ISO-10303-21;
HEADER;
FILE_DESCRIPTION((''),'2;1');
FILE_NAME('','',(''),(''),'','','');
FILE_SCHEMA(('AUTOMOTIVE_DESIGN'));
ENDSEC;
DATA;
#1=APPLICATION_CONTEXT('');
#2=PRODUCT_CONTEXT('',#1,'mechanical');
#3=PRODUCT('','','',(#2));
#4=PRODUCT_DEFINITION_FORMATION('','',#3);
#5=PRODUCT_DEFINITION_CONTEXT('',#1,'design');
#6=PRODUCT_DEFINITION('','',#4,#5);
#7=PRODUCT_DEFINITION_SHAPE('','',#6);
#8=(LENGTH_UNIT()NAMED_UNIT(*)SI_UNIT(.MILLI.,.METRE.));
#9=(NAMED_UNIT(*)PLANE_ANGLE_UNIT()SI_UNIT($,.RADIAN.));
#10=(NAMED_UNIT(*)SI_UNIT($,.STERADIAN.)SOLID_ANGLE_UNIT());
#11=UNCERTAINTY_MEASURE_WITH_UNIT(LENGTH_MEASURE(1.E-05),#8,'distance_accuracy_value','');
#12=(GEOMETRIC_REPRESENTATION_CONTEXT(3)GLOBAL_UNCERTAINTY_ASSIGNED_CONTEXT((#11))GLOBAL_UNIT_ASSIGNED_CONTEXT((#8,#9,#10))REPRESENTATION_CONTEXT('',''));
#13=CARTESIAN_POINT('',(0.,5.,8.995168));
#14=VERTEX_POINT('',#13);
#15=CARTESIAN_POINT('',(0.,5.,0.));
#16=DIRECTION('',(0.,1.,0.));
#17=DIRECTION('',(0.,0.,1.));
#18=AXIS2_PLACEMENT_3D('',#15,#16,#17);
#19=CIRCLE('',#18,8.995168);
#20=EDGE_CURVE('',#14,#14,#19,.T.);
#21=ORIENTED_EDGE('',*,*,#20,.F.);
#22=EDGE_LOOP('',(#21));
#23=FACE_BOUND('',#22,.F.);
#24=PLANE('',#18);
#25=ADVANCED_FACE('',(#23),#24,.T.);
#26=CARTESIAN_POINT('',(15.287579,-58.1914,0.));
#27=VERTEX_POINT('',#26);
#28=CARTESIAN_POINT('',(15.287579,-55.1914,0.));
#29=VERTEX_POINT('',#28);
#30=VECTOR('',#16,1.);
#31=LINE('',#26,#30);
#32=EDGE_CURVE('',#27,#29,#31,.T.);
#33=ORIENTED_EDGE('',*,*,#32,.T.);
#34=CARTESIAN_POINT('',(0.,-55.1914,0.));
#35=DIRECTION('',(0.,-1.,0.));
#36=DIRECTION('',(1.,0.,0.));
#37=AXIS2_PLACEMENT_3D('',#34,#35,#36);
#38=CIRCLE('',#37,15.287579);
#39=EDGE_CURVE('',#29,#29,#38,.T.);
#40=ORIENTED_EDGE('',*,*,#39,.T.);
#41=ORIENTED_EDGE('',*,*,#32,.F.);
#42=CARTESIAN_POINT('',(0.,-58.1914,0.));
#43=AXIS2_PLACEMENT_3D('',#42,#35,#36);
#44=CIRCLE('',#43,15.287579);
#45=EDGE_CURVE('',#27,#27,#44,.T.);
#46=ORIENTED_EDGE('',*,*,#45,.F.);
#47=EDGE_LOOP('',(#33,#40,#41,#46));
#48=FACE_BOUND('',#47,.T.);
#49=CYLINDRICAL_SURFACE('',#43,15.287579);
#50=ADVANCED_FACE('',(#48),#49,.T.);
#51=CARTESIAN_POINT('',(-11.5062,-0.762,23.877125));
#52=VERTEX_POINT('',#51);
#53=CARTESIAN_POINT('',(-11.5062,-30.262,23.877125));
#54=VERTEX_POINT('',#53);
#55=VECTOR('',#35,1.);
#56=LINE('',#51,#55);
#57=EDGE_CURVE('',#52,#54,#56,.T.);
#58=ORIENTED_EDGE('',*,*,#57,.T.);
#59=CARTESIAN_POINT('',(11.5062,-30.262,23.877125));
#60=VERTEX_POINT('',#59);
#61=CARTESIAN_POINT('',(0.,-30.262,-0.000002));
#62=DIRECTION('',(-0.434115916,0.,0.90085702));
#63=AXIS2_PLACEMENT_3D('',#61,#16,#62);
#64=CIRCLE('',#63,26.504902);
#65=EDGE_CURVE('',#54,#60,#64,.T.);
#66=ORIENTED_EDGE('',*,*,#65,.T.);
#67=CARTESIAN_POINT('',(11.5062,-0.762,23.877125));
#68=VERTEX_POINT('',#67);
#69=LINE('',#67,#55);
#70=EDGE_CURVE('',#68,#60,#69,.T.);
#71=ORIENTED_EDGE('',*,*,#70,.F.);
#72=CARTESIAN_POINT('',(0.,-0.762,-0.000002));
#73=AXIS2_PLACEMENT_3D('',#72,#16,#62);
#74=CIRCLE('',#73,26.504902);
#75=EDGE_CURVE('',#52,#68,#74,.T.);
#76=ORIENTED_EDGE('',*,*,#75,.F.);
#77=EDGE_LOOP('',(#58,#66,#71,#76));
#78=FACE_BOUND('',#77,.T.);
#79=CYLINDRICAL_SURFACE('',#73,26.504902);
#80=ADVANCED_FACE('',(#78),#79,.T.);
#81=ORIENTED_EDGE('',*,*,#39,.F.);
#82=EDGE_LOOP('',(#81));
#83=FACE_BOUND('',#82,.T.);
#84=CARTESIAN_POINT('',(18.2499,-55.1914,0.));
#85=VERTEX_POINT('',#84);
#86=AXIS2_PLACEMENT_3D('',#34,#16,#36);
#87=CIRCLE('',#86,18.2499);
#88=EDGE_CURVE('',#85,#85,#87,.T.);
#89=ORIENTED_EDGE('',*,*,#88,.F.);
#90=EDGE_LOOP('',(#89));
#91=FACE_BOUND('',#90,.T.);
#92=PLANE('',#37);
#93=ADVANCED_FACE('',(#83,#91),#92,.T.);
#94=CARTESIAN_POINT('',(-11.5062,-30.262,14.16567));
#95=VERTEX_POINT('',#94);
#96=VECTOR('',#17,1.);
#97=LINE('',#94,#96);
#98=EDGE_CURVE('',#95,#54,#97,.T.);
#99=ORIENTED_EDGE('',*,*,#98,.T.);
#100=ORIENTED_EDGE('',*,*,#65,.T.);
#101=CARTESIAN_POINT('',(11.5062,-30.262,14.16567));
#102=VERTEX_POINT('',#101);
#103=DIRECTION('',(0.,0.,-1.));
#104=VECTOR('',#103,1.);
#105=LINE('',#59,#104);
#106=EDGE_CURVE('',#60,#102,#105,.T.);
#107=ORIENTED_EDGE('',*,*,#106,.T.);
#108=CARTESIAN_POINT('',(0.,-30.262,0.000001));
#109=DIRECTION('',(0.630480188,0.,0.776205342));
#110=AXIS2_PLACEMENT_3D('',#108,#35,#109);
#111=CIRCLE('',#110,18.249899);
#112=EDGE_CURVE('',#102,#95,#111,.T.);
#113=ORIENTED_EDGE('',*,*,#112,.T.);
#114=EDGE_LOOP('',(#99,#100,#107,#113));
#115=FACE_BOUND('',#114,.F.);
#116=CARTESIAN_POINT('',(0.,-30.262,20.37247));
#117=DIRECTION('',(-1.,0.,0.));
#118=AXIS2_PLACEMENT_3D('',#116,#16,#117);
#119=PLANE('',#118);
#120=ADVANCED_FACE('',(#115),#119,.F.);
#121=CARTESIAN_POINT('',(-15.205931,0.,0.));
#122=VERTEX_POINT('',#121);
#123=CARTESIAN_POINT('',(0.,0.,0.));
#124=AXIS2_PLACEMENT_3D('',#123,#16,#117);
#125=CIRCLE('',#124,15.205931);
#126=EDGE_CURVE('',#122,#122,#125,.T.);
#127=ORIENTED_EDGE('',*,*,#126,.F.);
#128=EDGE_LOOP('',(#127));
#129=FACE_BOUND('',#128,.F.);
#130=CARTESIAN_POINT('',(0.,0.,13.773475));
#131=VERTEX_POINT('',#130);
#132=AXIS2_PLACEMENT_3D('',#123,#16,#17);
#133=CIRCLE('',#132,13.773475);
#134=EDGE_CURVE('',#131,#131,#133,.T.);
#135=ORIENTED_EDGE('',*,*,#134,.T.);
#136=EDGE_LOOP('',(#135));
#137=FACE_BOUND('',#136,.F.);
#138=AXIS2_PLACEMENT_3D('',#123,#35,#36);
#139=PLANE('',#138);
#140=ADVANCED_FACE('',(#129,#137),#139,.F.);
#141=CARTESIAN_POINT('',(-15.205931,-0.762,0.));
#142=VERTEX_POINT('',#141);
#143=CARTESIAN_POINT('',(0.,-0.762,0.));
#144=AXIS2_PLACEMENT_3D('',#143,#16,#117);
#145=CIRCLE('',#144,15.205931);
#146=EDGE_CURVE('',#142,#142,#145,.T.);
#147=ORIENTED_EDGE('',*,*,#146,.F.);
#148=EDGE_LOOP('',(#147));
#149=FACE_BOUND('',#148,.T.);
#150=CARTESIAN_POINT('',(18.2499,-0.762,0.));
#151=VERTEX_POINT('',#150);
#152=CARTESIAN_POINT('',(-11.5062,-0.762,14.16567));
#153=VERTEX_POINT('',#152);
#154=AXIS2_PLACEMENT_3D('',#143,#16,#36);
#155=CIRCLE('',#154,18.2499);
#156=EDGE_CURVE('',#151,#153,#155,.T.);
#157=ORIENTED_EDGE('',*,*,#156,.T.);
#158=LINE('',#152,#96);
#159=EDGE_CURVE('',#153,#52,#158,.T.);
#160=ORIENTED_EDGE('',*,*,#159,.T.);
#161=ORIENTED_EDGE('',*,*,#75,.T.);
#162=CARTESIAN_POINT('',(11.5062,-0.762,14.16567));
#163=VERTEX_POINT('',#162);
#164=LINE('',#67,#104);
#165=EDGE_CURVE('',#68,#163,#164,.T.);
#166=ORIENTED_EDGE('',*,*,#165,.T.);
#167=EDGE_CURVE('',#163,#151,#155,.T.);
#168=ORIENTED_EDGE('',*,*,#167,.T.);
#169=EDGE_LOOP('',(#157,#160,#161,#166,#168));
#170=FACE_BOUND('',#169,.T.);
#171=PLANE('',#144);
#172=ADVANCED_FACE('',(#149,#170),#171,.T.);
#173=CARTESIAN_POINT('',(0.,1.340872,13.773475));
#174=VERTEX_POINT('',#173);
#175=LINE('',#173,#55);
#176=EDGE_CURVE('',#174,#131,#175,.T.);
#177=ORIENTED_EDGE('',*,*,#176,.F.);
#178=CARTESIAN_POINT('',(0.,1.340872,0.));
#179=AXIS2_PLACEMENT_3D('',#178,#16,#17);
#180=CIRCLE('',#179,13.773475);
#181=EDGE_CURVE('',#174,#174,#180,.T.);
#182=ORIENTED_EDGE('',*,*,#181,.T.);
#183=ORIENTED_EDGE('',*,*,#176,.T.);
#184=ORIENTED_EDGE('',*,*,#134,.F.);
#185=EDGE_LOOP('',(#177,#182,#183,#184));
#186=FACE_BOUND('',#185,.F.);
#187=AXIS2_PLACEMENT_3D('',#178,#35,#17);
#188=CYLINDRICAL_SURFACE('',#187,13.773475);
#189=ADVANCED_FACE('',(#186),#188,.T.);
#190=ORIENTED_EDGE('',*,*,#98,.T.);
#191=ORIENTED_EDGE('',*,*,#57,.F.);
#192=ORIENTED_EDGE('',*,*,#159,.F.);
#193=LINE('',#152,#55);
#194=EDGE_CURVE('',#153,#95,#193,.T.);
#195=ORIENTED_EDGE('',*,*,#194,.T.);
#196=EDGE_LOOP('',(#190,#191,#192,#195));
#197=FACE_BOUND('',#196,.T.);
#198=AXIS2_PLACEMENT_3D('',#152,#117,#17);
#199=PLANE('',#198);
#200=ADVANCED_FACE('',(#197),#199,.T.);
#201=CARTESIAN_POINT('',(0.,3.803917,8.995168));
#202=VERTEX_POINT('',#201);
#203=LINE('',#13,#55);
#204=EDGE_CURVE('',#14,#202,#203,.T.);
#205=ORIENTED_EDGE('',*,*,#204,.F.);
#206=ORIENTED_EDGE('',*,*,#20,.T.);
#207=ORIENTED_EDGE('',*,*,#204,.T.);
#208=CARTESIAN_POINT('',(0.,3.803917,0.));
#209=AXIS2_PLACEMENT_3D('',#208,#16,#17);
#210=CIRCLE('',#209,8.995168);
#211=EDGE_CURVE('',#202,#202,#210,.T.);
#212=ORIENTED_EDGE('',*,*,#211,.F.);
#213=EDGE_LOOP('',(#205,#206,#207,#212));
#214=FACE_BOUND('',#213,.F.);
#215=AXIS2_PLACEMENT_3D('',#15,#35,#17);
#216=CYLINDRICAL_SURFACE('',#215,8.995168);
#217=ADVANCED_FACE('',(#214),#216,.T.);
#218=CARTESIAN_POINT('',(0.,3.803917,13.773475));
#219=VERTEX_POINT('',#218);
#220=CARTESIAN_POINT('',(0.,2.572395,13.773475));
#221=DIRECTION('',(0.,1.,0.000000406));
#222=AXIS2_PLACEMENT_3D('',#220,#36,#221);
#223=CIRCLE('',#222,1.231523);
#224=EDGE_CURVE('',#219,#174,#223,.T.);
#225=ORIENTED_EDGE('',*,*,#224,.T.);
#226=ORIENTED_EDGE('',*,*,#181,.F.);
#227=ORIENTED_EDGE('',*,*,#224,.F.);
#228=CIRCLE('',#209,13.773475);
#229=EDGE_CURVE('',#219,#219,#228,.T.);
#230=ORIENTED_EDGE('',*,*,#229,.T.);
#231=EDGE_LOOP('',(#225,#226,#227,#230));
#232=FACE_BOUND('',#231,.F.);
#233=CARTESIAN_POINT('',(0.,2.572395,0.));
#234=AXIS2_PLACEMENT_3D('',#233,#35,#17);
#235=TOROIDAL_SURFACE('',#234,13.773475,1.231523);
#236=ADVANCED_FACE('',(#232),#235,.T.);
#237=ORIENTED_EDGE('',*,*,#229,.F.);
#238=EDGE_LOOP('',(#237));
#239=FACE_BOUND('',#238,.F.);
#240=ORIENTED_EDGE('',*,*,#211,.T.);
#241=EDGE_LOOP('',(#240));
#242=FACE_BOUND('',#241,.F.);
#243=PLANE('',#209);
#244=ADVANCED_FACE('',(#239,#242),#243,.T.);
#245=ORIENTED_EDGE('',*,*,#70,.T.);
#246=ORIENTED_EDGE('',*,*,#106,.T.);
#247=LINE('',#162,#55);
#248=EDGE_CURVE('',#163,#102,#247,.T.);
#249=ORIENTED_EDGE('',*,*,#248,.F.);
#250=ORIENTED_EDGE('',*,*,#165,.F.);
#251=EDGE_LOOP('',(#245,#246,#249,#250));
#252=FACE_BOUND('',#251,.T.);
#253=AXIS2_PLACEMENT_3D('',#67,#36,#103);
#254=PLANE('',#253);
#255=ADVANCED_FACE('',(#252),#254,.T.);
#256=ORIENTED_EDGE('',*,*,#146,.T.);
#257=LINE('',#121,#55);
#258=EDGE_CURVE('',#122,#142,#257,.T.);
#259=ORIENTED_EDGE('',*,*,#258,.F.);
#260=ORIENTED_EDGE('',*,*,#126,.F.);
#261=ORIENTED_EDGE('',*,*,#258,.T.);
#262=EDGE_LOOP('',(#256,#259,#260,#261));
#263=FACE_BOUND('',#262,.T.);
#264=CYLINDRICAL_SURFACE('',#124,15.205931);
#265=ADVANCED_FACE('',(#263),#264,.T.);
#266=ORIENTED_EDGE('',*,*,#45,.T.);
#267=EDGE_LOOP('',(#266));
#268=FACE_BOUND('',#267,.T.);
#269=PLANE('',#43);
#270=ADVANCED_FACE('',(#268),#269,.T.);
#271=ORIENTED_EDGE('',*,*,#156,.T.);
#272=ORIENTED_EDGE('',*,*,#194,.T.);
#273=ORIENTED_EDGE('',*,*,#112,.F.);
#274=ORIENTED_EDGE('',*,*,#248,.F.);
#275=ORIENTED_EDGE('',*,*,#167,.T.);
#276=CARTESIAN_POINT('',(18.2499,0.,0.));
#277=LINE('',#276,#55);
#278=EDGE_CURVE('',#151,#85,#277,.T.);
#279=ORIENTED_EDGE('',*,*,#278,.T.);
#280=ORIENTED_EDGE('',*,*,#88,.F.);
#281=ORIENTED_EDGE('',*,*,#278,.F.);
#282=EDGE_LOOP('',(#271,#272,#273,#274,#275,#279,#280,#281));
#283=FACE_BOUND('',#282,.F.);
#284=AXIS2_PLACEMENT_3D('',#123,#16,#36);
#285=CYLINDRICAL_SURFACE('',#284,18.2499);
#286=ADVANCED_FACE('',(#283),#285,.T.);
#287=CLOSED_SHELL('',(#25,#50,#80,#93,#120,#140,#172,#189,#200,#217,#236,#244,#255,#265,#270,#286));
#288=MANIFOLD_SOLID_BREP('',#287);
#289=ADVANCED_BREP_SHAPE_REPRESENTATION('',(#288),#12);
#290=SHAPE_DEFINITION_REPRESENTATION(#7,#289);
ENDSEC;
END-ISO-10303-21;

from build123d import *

# Parameters (mm, degrees)
F0_R     = 18.2499
F1_DEPTH = 58.1914
F2_R     = 19.634702
F2_R_2   = 18.2499
F2_R_3   = 15.205931
F3_DEPTH = 0.762
F5_DEPTH = 29.5
F8_R     = 19.976594
F8_R_2   = 18.2499
F8_R_3   = 15.287579
F9_DEPTH = 3


with BuildPart() as f1:
    # F0 (on Front) → F1 (new body)
    with BuildSketch(Plane.XZ):
        Circle(F0_R)
    extrude(amount=F1_DEPTH)

    # F2 (on face) → F3 (cut)
    with BuildSketch(Plane(origin=(0, 0, 0), x_dir=(-1, 0, 0), z_dir=(0, 1, 0))):
        Circle(F2_R)
        Circle(F2_R_2, mode=Mode.SUBTRACT)
        Circle(F2_R_2)
        Circle(F2_R_3, mode=Mode.SUBTRACT)
    extrude(amount=-F3_DEPTH, mode=Mode.SUBTRACT)

    # F4 (on face) → F5 (join)
    with BuildSketch(Plane(origin=(0, -0.762, 0), x_dir=(-1, 0, 0), z_dir=(0, 1, 0))):
        with BuildLine():
            Line((-11.5062, 23.877125), (-11.5062, 14.16567))
            ThreePointArc((-11.5062, 14.16567), (0, 18.2499), (11.5062, 14.16567))
            Line((11.5062, 14.16567), (11.5062, 23.877125))
            ThreePointArc((11.5062, 23.877125), (0, 26.5049), (-11.5062, 23.877125))
        make_face()
    extrude(amount=-F5_DEPTH)

    # F6 (on Right) → F7 (revolve)
    with BuildSketch(Plane.YZ):
        with BuildLine():
            Line((5, 0), (5, 8.995168))
            Line((5, 8.995168), (3.803917, 8.995168))
            Line((3.803917, 8.995168), (3.803917, 13.773475))
            ThreePointArc((3.803917, 13.773475), (2.572395, 15.004997), (1.340872, 13.773475))
            Line((1.340872, 13.773475), (0, 13.773475))
            Line((0, 13.773475), (0, 0))
            Line((0, 0), (5, 0))
        make_face()
    revolve(axis=Axis((0, 0.08472, 0), (0, 1, 0)))

    # F8 (on face) → F9 (cut)
    with BuildSketch(Plane.XZ.offset(58.1914)):
        Circle(F8_R)
        Circle(F8_R_2, mode=Mode.SUBTRACT)
        Circle(F8_R_2)
        Circle(F8_R_3, mode=Mode.SUBTRACT)
    extrude(amount=-F9_DEPTH, mode=Mode.SUBTRACT)


solid = f1.part
